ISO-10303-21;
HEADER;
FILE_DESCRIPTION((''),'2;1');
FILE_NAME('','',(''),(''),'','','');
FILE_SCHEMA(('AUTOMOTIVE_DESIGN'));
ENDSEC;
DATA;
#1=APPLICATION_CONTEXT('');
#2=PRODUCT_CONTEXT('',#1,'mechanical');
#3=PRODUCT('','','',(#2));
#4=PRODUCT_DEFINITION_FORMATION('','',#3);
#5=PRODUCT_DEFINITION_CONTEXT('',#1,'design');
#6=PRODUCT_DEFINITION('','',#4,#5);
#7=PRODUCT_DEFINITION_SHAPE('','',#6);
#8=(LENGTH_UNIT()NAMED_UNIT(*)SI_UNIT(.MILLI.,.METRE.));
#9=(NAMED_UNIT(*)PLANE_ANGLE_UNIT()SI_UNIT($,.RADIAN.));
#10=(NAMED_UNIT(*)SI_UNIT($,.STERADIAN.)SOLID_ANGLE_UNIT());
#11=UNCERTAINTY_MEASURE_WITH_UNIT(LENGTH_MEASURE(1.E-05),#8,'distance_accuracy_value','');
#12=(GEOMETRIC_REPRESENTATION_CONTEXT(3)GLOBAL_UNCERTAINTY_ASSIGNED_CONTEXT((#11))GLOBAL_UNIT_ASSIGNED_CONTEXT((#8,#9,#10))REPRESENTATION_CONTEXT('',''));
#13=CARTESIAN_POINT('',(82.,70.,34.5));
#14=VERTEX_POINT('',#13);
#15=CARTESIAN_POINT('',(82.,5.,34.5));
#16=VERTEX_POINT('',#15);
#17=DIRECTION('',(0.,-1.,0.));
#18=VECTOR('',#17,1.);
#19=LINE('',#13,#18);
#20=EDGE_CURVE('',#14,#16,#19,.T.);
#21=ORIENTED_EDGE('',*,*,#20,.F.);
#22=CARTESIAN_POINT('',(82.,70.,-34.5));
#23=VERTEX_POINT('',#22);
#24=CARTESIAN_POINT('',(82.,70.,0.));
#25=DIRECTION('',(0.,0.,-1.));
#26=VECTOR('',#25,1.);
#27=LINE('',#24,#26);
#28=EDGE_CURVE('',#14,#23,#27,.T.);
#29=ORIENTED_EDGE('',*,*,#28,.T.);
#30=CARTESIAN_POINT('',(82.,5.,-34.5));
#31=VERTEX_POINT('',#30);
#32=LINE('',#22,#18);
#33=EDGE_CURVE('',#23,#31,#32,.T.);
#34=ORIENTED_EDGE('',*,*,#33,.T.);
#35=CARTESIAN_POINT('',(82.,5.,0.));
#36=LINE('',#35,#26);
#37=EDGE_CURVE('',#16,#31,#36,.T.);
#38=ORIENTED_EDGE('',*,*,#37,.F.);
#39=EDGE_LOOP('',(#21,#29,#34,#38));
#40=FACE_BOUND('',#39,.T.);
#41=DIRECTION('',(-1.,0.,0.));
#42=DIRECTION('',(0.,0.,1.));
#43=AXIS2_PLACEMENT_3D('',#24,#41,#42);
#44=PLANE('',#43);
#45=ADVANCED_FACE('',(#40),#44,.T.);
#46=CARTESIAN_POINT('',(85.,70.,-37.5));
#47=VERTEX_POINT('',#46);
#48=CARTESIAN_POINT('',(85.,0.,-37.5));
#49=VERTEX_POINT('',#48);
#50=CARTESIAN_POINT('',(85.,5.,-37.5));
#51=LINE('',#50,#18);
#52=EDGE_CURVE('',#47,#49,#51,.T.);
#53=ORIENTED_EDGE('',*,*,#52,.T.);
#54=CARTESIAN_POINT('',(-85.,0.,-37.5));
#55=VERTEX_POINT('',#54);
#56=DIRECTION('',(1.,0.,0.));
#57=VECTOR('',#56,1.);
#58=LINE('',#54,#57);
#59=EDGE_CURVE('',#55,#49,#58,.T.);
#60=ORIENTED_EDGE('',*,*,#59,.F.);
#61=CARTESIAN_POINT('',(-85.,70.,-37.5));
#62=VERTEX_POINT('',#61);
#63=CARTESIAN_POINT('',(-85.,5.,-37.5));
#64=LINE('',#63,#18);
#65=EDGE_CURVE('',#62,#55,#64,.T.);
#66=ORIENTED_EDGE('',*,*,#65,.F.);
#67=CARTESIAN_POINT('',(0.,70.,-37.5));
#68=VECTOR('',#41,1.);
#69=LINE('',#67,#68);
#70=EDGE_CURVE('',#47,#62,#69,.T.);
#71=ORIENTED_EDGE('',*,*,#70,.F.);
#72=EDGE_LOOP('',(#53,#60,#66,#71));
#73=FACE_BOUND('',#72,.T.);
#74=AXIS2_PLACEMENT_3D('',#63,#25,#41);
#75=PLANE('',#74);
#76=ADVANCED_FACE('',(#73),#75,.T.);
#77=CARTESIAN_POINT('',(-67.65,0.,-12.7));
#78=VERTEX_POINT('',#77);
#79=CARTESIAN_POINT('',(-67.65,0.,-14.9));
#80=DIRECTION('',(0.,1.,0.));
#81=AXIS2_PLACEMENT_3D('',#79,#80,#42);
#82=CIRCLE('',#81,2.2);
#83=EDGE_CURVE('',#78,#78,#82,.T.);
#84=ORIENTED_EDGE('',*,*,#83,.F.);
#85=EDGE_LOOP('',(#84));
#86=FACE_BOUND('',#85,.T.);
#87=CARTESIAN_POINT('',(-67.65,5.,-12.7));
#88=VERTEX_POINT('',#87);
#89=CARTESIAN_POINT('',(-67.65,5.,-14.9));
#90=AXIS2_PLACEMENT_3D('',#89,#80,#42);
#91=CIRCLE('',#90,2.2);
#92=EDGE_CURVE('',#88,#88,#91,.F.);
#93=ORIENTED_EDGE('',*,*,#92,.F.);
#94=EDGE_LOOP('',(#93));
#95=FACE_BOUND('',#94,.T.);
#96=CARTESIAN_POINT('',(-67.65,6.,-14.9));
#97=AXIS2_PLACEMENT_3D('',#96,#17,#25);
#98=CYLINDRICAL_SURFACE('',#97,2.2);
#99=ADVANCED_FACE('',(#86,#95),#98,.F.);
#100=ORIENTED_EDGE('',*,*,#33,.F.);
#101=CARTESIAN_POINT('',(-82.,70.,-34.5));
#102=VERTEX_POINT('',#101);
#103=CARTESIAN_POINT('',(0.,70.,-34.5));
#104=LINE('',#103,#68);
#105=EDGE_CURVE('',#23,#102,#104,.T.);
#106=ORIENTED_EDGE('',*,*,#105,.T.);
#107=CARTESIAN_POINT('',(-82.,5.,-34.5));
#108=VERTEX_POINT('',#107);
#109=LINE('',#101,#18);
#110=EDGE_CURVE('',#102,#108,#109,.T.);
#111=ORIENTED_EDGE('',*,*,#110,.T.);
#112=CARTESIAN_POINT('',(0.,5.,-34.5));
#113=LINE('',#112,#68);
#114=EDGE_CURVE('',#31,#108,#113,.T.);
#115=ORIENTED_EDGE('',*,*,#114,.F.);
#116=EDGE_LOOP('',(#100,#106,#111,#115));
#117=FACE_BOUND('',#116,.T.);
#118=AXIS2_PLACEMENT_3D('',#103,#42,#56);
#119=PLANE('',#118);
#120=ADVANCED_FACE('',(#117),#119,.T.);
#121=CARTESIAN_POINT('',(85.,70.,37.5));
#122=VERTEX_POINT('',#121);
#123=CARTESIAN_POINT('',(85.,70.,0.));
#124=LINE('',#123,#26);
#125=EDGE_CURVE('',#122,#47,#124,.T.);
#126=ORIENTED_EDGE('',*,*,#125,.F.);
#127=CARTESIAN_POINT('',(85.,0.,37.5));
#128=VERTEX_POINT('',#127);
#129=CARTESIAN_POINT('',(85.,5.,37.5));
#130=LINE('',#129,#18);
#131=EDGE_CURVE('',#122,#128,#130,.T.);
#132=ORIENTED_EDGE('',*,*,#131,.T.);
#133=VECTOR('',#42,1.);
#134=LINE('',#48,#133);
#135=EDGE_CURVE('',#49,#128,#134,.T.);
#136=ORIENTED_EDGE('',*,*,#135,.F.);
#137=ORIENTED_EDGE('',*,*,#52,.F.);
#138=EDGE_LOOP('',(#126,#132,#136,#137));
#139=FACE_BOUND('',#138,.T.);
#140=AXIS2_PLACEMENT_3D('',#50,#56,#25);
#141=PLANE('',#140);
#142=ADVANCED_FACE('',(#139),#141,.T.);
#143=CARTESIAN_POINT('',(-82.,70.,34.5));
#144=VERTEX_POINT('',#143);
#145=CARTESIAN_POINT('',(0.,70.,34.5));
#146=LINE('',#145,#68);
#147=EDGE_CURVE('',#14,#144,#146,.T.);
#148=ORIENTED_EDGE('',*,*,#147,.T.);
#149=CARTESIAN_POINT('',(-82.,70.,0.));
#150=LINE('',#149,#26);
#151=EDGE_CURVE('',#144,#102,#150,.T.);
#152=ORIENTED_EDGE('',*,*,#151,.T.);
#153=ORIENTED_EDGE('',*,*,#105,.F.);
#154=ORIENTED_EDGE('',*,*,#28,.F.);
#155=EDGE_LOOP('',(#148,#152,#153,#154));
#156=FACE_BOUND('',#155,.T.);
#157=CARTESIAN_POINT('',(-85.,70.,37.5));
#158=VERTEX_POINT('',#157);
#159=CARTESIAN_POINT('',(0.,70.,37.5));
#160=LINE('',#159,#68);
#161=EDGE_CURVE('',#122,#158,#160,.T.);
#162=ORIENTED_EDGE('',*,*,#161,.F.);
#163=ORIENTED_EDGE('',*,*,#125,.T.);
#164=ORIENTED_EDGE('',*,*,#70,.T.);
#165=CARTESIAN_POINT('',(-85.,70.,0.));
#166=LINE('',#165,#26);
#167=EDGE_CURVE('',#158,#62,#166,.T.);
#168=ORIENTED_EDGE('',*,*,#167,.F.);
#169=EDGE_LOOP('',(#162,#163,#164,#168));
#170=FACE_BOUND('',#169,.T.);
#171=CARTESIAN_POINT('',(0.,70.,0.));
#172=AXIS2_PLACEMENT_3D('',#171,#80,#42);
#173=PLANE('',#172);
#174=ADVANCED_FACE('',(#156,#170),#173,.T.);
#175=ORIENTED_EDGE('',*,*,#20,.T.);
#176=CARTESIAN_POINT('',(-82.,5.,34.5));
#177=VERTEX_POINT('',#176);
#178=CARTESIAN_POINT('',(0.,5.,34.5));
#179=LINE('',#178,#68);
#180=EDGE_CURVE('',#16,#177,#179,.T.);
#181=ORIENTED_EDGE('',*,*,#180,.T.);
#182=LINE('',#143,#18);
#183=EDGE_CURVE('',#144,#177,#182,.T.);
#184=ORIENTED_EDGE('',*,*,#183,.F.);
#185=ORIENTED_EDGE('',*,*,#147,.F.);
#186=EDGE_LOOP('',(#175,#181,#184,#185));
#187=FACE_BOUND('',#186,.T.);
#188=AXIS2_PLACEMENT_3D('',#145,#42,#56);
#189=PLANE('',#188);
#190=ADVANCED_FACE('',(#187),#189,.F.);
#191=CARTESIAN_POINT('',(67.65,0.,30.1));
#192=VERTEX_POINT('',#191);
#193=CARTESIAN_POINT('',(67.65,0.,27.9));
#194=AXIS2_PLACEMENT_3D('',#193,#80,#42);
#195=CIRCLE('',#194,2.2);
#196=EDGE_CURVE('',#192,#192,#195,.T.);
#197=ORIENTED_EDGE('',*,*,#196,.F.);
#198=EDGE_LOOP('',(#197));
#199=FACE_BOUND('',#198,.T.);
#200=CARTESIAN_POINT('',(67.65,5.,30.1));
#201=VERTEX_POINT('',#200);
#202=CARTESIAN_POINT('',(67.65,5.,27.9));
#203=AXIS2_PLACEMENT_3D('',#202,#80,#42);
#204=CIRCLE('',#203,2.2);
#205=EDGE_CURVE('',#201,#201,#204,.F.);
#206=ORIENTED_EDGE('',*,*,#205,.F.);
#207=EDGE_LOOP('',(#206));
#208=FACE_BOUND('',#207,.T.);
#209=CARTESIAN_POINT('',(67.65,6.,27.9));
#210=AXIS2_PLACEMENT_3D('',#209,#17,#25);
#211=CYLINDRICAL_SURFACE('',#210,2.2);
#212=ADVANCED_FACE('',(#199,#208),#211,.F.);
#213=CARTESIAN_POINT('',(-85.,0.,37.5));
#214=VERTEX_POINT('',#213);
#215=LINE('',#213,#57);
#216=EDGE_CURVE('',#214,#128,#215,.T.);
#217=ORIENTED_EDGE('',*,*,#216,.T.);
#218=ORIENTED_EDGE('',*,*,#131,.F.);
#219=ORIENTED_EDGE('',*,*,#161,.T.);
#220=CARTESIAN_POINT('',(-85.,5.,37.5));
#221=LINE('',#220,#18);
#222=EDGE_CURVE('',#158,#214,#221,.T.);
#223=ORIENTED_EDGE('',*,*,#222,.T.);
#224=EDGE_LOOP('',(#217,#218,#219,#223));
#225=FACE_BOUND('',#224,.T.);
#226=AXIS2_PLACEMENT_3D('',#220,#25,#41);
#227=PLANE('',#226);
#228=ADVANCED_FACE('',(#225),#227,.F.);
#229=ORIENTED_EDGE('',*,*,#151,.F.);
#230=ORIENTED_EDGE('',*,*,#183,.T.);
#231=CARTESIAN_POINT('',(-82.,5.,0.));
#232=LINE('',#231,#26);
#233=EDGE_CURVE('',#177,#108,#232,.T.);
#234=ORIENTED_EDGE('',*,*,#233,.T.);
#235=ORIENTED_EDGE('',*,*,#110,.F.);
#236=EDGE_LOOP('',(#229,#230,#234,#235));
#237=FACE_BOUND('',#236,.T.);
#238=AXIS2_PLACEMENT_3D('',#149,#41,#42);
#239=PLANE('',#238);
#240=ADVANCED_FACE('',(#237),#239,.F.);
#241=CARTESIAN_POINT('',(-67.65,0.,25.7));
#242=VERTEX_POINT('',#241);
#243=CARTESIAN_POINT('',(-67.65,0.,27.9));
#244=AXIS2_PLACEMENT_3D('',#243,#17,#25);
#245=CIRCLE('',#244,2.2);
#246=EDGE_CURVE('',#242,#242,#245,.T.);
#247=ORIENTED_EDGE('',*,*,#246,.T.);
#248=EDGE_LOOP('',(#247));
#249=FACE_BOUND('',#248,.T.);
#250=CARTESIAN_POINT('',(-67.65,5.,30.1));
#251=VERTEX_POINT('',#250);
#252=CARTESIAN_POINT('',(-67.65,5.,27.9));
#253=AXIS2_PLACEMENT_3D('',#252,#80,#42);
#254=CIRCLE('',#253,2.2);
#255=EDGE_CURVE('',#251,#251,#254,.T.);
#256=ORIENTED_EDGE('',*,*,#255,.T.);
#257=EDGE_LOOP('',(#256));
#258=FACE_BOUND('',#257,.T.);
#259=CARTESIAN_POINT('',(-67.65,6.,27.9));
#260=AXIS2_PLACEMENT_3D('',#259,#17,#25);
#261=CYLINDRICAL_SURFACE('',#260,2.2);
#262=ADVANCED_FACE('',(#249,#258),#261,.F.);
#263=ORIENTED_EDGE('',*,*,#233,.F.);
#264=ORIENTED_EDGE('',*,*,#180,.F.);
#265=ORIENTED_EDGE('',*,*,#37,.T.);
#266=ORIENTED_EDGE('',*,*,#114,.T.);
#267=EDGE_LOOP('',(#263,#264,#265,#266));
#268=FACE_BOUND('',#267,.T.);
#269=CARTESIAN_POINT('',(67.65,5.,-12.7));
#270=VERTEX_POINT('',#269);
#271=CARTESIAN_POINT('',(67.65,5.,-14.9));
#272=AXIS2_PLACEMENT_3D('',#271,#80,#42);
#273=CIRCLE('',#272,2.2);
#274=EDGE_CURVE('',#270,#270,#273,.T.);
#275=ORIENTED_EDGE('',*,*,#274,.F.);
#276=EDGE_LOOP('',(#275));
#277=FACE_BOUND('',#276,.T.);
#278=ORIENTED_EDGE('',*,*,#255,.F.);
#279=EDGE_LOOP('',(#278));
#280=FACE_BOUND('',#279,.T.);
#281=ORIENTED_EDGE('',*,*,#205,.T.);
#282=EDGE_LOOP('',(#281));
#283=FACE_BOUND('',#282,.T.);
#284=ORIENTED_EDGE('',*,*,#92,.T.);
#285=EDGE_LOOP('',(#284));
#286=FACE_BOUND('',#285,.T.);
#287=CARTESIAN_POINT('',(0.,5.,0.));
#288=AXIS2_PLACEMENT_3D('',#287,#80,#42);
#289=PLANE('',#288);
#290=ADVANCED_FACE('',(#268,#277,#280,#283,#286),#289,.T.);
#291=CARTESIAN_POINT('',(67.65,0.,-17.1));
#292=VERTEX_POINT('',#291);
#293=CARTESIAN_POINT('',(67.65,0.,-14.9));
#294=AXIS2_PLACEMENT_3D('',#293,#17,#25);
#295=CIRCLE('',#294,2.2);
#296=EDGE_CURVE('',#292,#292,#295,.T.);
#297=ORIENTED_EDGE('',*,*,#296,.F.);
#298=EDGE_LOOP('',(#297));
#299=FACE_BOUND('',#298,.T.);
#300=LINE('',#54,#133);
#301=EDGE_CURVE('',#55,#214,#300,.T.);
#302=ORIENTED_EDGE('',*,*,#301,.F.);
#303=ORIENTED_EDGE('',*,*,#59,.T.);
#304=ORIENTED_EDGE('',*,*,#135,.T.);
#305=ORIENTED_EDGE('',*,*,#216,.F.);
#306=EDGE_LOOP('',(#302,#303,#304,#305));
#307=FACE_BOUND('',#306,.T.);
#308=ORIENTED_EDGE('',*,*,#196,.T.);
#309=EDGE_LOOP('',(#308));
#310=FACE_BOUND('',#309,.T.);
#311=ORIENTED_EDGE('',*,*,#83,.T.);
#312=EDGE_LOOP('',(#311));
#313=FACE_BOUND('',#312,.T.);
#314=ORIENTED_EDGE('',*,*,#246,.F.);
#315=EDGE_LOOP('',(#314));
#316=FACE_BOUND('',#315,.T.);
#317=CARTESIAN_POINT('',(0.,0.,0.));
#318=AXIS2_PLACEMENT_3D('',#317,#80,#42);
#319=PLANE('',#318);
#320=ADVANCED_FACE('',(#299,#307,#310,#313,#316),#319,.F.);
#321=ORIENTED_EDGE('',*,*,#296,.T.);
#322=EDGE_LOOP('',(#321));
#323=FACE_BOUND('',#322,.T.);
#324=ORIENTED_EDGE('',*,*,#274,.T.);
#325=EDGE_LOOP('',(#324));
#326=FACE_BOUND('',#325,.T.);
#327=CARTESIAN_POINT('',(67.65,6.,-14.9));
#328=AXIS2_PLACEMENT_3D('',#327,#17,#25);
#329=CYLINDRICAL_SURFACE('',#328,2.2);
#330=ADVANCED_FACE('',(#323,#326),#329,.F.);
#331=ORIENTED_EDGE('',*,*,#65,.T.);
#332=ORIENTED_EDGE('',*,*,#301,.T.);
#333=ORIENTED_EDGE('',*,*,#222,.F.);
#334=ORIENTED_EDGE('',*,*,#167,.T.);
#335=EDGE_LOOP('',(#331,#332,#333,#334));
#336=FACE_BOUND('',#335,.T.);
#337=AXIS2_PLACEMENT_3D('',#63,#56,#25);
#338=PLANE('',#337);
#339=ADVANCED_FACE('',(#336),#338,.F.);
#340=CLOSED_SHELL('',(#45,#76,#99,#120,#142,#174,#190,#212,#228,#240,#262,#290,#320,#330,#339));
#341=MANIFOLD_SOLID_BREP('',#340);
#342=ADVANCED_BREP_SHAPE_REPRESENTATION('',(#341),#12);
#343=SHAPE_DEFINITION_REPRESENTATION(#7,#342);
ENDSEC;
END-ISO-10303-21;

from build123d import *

# Parameters (mm, degrees)
SKETCH2_W           = 170
SKETCH2_H           = 75
BOSS_EXTRUDE2_DEPTH = 5
EXTRUDE_THIN1_START = 5
SKETCH2_3_W         = 170
SKETCH2_3_H         = 75
SKETCH2_3_W_2       = 164
SKETCH2_3_H_2       = 69
EXTRUDE_THIN1_DEPTH = 65
SKETCH2_6_R         = 2.2
CUT_EXTRUDE1_DEPTH  = 6


with BuildPart() as part:
    # Sketch2 → Boss-Extrude2 (new body)
    with BuildSketch(Plane(origin=(0, 0, 0), x_dir=(1, 0, 0), z_dir=(0, 1, 0))):
        Rectangle(SKETCH2_W, SKETCH2_H)
    extrude(amount=BOSS_EXTRUDE2_DEPTH)

    # Sketch2<3> → Extrude-Thin1 (add)
    with BuildSketch(Plane(origin=(0, 0, 0), x_dir=(1, 0, 0), z_dir=(0, 1, 0)).offset(EXTRUDE_THIN1_START)):
        Rectangle(SKETCH2_3_W, SKETCH2_3_H)
        Rectangle(SKETCH2_3_W_2, SKETCH2_3_H_2, mode=Mode.SUBTRACT)
    extrude(amount=EXTRUDE_THIN1_DEPTH)

    # Sketch2<6> → Cut-Extrude1 (cut)
    with BuildSketch(Plane(origin=(0, 0, 0), x_dir=(1, 0, 0), z_dir=(0, 1, 0))):
        with Locations(Location((-67.65, 14.9, 0), (0, 0, 270))):
            Circle(SKETCH2_6_R)
        with Locations(Location((67.65, 14.9, 0), (0, 0, 90))):
            Circle(SKETCH2_6_R)
        with Locations(Location((67.65, -27.9, 0), (0, 0, 270))):
            Circle(SKETCH2_6_R)
        with Locations(Location((-67.65, -27.9, 0), (0, 0, 90))):
            Circle(SKETCH2_6_R)
    extrude(amount=CUT_EXTRUDE1_DEPTH, mode=Mode.SUBTRACT)


solid = part.part
